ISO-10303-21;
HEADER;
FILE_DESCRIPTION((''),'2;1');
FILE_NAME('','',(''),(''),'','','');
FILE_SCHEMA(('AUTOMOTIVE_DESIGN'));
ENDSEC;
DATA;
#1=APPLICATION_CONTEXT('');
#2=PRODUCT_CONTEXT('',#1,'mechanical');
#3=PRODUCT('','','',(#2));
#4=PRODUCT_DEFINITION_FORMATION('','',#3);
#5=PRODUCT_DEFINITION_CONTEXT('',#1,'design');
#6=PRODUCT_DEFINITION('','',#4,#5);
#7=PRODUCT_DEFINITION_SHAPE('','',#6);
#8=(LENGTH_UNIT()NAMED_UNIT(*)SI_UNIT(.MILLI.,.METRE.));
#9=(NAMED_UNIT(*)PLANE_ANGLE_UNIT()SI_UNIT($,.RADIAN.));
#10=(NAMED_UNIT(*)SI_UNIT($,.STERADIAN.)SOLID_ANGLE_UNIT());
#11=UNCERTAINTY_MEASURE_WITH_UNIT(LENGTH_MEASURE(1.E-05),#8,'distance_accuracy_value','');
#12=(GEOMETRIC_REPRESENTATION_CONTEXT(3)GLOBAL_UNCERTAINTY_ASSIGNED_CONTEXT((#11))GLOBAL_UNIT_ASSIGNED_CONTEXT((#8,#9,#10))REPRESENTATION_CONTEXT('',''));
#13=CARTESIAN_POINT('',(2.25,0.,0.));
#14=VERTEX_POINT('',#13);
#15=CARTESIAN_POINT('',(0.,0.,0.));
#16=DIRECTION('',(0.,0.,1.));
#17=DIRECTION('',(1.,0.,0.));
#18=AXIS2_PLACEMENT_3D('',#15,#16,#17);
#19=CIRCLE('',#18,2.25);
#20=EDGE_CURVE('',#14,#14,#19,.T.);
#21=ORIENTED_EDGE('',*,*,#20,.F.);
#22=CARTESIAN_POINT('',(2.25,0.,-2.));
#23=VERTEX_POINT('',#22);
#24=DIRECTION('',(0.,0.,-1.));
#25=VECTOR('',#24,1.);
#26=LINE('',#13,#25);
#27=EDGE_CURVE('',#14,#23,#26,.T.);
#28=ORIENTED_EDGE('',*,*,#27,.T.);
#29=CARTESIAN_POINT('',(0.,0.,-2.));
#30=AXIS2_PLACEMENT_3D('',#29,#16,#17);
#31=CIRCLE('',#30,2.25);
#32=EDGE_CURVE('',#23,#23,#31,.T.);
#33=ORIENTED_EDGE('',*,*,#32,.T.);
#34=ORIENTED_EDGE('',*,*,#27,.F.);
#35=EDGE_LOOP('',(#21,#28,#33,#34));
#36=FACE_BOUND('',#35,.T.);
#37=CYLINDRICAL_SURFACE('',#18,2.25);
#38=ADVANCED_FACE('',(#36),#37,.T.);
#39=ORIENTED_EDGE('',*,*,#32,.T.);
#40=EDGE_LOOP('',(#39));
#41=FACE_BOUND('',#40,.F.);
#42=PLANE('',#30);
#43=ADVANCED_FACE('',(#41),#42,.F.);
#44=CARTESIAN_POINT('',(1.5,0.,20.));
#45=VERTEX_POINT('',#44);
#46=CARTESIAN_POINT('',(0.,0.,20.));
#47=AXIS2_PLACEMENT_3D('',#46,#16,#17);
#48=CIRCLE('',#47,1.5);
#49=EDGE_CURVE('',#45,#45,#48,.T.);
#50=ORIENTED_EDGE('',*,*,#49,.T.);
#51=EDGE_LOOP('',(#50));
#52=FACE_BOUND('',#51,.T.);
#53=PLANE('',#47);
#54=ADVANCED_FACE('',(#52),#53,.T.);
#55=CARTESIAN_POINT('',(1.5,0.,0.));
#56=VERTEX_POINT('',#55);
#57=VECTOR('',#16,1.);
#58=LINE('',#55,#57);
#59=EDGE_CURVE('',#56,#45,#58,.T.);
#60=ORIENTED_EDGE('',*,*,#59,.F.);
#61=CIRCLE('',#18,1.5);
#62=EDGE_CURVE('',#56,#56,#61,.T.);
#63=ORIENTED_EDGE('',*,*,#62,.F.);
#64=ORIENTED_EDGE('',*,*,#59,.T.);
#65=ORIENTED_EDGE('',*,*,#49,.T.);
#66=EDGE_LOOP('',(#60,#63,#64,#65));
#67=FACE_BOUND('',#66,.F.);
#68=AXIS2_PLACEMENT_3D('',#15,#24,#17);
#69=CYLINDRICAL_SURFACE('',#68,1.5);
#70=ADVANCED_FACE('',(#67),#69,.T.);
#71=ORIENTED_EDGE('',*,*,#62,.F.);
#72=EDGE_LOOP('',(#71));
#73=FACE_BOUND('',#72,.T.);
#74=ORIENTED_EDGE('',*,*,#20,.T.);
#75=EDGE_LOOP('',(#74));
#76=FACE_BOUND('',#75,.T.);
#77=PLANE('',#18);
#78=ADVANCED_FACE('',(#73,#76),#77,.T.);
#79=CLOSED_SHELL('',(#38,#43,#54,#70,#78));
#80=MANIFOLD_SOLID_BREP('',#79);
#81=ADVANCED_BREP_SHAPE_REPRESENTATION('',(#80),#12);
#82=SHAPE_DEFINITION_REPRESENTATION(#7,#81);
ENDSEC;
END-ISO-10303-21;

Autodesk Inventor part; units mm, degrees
ref_plane "YZ Plane" through (0, 0, 0) normal (1, 0, 0) x (0, 1, 0)
ref_plane "XZ Plane" through (0, 0, 0) normal (0, 1, 0) x (-1, 0, 0)
ref_plane "XY Plane" through (0, 0, 0) normal (0, 0, 1) x (1, 0, 0)
sketch "Sketch1" plane through (0, 0, 0) normal (0, 0, 1) x (1, 0, 0)
  circle A0 centre (0, 0) radius 1.5
  circle A1 centre (0, 0) radius 2.25
  dimension "d0" = 3
  dimension "d1" = 4.5
sketch "Sketch2" plane through (0, 0, 0) normal (0, 0, 1) x (1, 0, 0)
  circle A0 centre (0, 0) radius 1.5
  circle A1 centre (0, 0) radius 2.25
  dimension "d2" = 3
  dimension "d3" = 4.5
extrude "Extrusion1" add sketch "Sketch2" along normal blind 20 contours A0
extrude "Extrusion2" add sketch "Sketch1" against normal blind 2 contours A0 | A1
thread "Thread1" size "M3x0.5" class "6g" standard "ANSI Metric M Profile" full length
properties part number "tornillo M3 largo"
